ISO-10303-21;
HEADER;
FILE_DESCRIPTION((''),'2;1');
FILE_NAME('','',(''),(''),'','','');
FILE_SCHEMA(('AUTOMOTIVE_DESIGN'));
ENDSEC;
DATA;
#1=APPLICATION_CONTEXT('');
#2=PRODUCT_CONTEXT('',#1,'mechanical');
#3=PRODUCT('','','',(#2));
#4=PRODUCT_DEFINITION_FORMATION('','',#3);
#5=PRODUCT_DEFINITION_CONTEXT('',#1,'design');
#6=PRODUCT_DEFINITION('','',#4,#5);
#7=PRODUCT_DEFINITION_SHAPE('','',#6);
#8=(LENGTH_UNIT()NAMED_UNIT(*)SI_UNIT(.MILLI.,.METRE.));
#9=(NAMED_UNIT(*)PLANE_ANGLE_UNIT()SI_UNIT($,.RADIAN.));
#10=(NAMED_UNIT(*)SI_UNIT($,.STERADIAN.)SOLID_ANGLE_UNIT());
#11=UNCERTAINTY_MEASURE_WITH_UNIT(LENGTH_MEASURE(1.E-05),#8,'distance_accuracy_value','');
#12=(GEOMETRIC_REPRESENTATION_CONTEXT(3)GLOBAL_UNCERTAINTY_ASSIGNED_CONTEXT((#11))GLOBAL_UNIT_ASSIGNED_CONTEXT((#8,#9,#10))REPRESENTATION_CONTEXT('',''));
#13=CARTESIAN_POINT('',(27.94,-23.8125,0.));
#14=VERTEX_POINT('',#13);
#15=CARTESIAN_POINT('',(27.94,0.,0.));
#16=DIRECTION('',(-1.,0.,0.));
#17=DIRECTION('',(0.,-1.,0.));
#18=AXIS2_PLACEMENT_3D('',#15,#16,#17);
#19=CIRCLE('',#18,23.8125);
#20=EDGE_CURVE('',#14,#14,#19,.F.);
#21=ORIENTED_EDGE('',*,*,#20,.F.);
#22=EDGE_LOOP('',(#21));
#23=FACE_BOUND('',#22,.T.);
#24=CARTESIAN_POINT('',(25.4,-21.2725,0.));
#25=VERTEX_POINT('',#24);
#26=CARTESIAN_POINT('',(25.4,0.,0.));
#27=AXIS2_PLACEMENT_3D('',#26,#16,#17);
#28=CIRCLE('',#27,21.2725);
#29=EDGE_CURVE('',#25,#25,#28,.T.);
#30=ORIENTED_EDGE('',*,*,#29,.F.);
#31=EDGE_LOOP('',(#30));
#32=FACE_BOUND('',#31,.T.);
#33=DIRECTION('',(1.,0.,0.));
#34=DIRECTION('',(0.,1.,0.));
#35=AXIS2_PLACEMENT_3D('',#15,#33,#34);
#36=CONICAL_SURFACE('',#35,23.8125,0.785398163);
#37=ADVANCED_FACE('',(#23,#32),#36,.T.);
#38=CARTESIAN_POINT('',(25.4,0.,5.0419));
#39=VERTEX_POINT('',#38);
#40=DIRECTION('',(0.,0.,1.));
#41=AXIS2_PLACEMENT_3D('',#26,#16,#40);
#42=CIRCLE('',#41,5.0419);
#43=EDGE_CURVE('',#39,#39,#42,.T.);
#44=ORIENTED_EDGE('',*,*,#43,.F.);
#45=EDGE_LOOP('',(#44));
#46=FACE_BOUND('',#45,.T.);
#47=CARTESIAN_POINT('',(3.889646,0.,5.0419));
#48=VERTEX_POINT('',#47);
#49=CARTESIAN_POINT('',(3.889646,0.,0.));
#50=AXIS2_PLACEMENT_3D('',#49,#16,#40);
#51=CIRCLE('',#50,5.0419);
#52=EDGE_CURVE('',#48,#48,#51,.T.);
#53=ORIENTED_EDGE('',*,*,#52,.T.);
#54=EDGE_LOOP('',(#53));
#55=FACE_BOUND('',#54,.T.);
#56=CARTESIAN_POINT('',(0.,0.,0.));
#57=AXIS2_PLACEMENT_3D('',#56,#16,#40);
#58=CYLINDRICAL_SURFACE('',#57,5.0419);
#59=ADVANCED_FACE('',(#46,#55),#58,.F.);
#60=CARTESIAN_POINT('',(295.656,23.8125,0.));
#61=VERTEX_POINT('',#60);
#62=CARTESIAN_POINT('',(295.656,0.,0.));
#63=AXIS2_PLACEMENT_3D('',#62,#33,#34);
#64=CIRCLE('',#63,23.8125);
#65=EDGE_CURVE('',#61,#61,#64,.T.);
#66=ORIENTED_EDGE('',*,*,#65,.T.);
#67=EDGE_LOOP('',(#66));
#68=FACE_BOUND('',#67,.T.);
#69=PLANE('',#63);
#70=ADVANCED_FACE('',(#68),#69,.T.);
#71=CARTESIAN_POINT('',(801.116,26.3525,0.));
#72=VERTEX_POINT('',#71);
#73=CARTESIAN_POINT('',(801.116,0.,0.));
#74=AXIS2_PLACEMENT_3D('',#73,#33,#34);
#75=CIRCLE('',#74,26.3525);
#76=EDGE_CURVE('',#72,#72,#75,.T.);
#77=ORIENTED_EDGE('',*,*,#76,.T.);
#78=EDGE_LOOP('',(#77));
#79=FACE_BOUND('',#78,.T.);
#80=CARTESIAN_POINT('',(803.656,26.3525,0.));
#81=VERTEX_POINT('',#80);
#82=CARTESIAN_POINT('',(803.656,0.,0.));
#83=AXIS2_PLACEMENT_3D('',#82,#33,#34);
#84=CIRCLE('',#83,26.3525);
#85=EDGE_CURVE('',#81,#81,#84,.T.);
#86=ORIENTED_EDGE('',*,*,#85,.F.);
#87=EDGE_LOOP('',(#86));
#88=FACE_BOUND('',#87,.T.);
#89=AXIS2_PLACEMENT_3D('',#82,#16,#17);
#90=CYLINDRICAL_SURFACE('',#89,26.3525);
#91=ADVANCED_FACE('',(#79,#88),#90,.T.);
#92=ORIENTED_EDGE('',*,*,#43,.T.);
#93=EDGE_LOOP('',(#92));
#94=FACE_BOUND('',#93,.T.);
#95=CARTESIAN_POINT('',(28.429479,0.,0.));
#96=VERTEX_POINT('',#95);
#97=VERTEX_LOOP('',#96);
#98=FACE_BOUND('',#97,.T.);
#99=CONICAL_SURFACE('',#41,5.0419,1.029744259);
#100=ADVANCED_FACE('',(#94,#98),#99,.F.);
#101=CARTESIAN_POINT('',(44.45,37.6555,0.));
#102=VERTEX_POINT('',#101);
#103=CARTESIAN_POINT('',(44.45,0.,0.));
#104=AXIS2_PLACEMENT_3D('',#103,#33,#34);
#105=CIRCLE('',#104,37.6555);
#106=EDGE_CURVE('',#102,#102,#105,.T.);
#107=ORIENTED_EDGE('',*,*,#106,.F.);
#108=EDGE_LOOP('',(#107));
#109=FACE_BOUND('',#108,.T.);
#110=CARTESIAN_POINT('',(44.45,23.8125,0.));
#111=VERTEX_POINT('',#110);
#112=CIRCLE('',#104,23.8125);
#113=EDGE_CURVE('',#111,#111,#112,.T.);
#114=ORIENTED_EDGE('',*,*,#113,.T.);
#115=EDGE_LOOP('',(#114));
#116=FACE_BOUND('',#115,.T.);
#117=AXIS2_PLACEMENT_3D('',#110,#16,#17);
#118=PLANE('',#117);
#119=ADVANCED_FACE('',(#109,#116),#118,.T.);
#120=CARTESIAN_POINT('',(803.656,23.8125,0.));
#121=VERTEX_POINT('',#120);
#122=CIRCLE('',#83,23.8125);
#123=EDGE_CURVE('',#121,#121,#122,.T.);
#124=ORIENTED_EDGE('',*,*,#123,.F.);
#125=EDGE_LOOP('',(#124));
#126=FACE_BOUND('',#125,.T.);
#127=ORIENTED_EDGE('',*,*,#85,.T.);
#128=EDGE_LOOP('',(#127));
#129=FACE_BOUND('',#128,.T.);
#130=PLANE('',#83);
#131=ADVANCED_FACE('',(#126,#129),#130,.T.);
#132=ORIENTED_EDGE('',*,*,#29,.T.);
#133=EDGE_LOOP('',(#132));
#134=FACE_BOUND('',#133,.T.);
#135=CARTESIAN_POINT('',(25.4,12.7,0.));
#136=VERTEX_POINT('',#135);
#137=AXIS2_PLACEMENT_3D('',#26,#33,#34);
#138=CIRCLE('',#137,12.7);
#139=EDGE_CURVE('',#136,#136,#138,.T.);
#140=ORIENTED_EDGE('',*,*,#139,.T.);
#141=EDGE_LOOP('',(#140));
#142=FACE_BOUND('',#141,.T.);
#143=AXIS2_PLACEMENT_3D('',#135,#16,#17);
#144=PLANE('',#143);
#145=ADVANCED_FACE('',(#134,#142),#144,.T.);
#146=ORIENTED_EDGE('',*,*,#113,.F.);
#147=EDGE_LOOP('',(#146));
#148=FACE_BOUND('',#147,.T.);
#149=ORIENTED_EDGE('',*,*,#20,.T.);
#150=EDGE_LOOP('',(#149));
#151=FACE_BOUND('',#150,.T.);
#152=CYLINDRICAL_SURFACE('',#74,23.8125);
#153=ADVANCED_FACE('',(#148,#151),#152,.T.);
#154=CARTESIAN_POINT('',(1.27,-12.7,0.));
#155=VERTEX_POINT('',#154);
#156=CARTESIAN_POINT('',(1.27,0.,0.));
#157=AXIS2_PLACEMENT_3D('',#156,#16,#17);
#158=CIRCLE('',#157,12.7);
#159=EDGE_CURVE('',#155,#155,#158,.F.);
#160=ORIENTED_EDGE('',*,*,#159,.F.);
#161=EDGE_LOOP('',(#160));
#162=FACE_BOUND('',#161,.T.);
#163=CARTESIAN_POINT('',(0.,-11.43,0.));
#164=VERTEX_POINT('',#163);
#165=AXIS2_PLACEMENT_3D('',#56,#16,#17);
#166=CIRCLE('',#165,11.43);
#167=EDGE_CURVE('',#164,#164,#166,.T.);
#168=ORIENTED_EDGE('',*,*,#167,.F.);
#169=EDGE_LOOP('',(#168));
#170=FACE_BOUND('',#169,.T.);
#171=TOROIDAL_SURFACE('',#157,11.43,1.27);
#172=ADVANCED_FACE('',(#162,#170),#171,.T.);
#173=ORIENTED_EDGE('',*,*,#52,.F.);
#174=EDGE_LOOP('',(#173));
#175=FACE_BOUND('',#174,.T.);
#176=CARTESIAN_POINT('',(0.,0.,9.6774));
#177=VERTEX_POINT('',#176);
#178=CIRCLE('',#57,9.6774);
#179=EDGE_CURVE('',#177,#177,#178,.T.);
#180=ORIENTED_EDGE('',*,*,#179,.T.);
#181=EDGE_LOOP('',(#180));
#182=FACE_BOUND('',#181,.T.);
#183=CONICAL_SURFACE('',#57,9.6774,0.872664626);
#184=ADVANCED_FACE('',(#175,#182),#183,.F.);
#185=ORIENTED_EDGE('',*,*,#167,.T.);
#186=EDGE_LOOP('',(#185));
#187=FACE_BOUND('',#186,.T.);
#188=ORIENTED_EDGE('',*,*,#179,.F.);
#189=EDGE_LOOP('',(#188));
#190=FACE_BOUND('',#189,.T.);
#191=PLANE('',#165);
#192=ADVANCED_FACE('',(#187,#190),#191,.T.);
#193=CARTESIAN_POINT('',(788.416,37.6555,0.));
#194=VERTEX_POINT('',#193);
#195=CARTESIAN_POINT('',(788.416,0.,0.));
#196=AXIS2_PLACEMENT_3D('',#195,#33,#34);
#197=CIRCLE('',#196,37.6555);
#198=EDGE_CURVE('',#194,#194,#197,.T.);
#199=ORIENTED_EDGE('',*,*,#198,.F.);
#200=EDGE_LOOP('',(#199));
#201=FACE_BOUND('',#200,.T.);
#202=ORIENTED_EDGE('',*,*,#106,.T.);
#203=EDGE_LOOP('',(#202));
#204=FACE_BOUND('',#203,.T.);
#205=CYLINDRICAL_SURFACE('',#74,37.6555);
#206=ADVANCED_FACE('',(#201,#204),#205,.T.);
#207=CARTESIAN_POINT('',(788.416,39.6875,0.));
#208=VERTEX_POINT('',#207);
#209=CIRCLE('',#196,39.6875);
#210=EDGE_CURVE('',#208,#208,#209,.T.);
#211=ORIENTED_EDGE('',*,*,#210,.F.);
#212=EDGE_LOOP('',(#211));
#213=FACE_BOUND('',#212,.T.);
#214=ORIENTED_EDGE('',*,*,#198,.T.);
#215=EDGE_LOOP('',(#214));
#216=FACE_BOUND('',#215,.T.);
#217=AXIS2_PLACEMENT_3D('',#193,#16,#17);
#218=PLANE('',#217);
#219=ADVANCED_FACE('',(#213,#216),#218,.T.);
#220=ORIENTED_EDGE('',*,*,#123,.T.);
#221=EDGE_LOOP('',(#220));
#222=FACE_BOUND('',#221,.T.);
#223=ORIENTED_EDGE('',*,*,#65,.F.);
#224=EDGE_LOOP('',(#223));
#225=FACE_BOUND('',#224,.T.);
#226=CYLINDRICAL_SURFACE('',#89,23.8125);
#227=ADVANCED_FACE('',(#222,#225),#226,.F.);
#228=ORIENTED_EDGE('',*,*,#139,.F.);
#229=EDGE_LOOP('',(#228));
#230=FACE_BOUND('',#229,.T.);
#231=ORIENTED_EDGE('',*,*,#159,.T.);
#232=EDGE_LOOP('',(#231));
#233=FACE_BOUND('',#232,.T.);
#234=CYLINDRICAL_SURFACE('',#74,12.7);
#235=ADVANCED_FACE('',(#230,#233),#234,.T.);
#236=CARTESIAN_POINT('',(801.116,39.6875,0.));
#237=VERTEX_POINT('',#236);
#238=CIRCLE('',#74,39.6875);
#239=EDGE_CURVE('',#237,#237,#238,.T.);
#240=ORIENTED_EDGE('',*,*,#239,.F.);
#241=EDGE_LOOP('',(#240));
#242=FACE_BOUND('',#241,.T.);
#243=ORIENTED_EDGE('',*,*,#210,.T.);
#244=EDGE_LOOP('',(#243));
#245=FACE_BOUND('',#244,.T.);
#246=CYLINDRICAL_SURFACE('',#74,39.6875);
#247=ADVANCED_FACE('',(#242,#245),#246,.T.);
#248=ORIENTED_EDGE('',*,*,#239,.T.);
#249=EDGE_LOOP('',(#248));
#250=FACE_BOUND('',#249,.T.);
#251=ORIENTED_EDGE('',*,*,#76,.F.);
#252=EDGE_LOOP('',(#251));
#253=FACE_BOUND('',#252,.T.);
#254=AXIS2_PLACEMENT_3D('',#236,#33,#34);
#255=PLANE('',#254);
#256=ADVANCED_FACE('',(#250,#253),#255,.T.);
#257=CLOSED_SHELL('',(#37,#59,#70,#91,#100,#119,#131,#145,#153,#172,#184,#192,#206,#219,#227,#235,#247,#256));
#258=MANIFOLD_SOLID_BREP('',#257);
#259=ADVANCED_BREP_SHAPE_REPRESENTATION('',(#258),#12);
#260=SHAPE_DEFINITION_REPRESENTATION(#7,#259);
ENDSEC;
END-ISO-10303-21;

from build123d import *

# Parameters (mm, degrees)
CHAMFER1_SIZE                                       = 2.54
CSK_FOR_3_8_FLAT_HEAD_MACHINE_SCREW_100_D           = 10.0838
CSK_FOR_3_8_FLAT_HEAD_MACHINE_SCREW_100_DEPTH       = 25.4
CSK_FOR_3_8_FLAT_HEAD_MACHINE_SCREW_100_CSINK_D     = 19.3548
CSK_FOR_3_8_FLAT_HEAD_MACHINE_SCREW_100_CSINK_ANGLE = 100
CSK_FOR_3_8_FLAT_HEAD_MACHINE_SCREW_100_TIP         = 3.029479155
FILLET2_R                                           = 1.27
BOSS_EXTRUDE1_START                                 = 2.54
SKETCH5_R                                           = 26.3525
SKETCH5_R_2                                         = 23.8125
BOSS_EXTRUDE1_DEPTH                                 = 2.54
SKETCH6_R                                           = 23.8125
CUT_EXTRUDE1_DEPTH                                  = 508


with BuildPart() as part:
    # Sketch1 → Revolve1 (revolve)
    with BuildSketch(Plane.XY):
        Polygon((0, 0), (0, 12.7), (25.4, 12.7), (25.4, 23.8125), (44.45, 23.8125), (44.45, 37.6555), (788.416, 37.6555), (788.416, 39.6875), (801.116, 39.6875), (801.116, 0), align=None)
    revolve(axis=Axis((801.116, 0, 0), (-1, 0, 0)))

    # Chamfer1
    chamfer1_edges = [part.edges().sort_by_distance(p)[0] for p in [
        (25.4, -23.8125, 0),
    ]]
    chamfer(chamfer1_edges, length=CHAMFER1_SIZE)

    # CSK for 3/8 Flat Head Machine Screw (100)1
    with Locations(Plane.ZY):
        with Locations((0, 0)):
            CounterSinkHole(CSK_FOR_3_8_FLAT_HEAD_MACHINE_SCREW_100_D / 2, CSK_FOR_3_8_FLAT_HEAD_MACHINE_SCREW_100_CSINK_D / 2, depth=CSK_FOR_3_8_FLAT_HEAD_MACHINE_SCREW_100_DEPTH, counter_sink_angle=CSK_FOR_3_8_FLAT_HEAD_MACHINE_SCREW_100_CSINK_ANGLE)
            with Locations((0, 0, -(CSK_FOR_3_8_FLAT_HEAD_MACHINE_SCREW_100_DEPTH + CSK_FOR_3_8_FLAT_HEAD_MACHINE_SCREW_100_TIP / 2))):  # 118° drill point
                Cone(0, CSK_FOR_3_8_FLAT_HEAD_MACHINE_SCREW_100_D / 2, CSK_FOR_3_8_FLAT_HEAD_MACHINE_SCREW_100_TIP, mode=Mode.SUBTRACT)

    # Fillet2
    fillet2_edges = [part.edges().sort_by_distance(p)[0] for p in [
        (0, -12.7, 0),
    ]]
    fillet(fillet2_edges, radius=FILLET2_R)

    # Sketch5 → Boss-Extrude1 (add)
    with BuildSketch(Plane(origin=(801.116, 0, 0), x_dir=(0, 0, -1), z_dir=(1, 0, 0)).offset(BOSS_EXTRUDE1_START)):
        with Locations(Location((0, 0, 0), (0, 0, 90))):
            Circle(SKETCH5_R)
        with Locations(Location((0, 0, 0), (0, 0, 90))):
            Circle(SKETCH5_R_2, mode=Mode.SUBTRACT)
    extrude(amount=-BOSS_EXTRUDE1_DEPTH)

    # Sketch6 → Cut-Extrude1 (cut)
    with BuildSketch(Plane(origin=(803.656, 0, 0), x_dir=(0, 0, -1), z_dir=(1, 0, 0))):
        with Locations(Location((0, 0, 0), (0, 0, 90))):
            Circle(SKETCH6_R)
    extrude(amount=-CUT_EXTRUDE1_DEPTH, mode=Mode.SUBTRACT)


solid = part.part
